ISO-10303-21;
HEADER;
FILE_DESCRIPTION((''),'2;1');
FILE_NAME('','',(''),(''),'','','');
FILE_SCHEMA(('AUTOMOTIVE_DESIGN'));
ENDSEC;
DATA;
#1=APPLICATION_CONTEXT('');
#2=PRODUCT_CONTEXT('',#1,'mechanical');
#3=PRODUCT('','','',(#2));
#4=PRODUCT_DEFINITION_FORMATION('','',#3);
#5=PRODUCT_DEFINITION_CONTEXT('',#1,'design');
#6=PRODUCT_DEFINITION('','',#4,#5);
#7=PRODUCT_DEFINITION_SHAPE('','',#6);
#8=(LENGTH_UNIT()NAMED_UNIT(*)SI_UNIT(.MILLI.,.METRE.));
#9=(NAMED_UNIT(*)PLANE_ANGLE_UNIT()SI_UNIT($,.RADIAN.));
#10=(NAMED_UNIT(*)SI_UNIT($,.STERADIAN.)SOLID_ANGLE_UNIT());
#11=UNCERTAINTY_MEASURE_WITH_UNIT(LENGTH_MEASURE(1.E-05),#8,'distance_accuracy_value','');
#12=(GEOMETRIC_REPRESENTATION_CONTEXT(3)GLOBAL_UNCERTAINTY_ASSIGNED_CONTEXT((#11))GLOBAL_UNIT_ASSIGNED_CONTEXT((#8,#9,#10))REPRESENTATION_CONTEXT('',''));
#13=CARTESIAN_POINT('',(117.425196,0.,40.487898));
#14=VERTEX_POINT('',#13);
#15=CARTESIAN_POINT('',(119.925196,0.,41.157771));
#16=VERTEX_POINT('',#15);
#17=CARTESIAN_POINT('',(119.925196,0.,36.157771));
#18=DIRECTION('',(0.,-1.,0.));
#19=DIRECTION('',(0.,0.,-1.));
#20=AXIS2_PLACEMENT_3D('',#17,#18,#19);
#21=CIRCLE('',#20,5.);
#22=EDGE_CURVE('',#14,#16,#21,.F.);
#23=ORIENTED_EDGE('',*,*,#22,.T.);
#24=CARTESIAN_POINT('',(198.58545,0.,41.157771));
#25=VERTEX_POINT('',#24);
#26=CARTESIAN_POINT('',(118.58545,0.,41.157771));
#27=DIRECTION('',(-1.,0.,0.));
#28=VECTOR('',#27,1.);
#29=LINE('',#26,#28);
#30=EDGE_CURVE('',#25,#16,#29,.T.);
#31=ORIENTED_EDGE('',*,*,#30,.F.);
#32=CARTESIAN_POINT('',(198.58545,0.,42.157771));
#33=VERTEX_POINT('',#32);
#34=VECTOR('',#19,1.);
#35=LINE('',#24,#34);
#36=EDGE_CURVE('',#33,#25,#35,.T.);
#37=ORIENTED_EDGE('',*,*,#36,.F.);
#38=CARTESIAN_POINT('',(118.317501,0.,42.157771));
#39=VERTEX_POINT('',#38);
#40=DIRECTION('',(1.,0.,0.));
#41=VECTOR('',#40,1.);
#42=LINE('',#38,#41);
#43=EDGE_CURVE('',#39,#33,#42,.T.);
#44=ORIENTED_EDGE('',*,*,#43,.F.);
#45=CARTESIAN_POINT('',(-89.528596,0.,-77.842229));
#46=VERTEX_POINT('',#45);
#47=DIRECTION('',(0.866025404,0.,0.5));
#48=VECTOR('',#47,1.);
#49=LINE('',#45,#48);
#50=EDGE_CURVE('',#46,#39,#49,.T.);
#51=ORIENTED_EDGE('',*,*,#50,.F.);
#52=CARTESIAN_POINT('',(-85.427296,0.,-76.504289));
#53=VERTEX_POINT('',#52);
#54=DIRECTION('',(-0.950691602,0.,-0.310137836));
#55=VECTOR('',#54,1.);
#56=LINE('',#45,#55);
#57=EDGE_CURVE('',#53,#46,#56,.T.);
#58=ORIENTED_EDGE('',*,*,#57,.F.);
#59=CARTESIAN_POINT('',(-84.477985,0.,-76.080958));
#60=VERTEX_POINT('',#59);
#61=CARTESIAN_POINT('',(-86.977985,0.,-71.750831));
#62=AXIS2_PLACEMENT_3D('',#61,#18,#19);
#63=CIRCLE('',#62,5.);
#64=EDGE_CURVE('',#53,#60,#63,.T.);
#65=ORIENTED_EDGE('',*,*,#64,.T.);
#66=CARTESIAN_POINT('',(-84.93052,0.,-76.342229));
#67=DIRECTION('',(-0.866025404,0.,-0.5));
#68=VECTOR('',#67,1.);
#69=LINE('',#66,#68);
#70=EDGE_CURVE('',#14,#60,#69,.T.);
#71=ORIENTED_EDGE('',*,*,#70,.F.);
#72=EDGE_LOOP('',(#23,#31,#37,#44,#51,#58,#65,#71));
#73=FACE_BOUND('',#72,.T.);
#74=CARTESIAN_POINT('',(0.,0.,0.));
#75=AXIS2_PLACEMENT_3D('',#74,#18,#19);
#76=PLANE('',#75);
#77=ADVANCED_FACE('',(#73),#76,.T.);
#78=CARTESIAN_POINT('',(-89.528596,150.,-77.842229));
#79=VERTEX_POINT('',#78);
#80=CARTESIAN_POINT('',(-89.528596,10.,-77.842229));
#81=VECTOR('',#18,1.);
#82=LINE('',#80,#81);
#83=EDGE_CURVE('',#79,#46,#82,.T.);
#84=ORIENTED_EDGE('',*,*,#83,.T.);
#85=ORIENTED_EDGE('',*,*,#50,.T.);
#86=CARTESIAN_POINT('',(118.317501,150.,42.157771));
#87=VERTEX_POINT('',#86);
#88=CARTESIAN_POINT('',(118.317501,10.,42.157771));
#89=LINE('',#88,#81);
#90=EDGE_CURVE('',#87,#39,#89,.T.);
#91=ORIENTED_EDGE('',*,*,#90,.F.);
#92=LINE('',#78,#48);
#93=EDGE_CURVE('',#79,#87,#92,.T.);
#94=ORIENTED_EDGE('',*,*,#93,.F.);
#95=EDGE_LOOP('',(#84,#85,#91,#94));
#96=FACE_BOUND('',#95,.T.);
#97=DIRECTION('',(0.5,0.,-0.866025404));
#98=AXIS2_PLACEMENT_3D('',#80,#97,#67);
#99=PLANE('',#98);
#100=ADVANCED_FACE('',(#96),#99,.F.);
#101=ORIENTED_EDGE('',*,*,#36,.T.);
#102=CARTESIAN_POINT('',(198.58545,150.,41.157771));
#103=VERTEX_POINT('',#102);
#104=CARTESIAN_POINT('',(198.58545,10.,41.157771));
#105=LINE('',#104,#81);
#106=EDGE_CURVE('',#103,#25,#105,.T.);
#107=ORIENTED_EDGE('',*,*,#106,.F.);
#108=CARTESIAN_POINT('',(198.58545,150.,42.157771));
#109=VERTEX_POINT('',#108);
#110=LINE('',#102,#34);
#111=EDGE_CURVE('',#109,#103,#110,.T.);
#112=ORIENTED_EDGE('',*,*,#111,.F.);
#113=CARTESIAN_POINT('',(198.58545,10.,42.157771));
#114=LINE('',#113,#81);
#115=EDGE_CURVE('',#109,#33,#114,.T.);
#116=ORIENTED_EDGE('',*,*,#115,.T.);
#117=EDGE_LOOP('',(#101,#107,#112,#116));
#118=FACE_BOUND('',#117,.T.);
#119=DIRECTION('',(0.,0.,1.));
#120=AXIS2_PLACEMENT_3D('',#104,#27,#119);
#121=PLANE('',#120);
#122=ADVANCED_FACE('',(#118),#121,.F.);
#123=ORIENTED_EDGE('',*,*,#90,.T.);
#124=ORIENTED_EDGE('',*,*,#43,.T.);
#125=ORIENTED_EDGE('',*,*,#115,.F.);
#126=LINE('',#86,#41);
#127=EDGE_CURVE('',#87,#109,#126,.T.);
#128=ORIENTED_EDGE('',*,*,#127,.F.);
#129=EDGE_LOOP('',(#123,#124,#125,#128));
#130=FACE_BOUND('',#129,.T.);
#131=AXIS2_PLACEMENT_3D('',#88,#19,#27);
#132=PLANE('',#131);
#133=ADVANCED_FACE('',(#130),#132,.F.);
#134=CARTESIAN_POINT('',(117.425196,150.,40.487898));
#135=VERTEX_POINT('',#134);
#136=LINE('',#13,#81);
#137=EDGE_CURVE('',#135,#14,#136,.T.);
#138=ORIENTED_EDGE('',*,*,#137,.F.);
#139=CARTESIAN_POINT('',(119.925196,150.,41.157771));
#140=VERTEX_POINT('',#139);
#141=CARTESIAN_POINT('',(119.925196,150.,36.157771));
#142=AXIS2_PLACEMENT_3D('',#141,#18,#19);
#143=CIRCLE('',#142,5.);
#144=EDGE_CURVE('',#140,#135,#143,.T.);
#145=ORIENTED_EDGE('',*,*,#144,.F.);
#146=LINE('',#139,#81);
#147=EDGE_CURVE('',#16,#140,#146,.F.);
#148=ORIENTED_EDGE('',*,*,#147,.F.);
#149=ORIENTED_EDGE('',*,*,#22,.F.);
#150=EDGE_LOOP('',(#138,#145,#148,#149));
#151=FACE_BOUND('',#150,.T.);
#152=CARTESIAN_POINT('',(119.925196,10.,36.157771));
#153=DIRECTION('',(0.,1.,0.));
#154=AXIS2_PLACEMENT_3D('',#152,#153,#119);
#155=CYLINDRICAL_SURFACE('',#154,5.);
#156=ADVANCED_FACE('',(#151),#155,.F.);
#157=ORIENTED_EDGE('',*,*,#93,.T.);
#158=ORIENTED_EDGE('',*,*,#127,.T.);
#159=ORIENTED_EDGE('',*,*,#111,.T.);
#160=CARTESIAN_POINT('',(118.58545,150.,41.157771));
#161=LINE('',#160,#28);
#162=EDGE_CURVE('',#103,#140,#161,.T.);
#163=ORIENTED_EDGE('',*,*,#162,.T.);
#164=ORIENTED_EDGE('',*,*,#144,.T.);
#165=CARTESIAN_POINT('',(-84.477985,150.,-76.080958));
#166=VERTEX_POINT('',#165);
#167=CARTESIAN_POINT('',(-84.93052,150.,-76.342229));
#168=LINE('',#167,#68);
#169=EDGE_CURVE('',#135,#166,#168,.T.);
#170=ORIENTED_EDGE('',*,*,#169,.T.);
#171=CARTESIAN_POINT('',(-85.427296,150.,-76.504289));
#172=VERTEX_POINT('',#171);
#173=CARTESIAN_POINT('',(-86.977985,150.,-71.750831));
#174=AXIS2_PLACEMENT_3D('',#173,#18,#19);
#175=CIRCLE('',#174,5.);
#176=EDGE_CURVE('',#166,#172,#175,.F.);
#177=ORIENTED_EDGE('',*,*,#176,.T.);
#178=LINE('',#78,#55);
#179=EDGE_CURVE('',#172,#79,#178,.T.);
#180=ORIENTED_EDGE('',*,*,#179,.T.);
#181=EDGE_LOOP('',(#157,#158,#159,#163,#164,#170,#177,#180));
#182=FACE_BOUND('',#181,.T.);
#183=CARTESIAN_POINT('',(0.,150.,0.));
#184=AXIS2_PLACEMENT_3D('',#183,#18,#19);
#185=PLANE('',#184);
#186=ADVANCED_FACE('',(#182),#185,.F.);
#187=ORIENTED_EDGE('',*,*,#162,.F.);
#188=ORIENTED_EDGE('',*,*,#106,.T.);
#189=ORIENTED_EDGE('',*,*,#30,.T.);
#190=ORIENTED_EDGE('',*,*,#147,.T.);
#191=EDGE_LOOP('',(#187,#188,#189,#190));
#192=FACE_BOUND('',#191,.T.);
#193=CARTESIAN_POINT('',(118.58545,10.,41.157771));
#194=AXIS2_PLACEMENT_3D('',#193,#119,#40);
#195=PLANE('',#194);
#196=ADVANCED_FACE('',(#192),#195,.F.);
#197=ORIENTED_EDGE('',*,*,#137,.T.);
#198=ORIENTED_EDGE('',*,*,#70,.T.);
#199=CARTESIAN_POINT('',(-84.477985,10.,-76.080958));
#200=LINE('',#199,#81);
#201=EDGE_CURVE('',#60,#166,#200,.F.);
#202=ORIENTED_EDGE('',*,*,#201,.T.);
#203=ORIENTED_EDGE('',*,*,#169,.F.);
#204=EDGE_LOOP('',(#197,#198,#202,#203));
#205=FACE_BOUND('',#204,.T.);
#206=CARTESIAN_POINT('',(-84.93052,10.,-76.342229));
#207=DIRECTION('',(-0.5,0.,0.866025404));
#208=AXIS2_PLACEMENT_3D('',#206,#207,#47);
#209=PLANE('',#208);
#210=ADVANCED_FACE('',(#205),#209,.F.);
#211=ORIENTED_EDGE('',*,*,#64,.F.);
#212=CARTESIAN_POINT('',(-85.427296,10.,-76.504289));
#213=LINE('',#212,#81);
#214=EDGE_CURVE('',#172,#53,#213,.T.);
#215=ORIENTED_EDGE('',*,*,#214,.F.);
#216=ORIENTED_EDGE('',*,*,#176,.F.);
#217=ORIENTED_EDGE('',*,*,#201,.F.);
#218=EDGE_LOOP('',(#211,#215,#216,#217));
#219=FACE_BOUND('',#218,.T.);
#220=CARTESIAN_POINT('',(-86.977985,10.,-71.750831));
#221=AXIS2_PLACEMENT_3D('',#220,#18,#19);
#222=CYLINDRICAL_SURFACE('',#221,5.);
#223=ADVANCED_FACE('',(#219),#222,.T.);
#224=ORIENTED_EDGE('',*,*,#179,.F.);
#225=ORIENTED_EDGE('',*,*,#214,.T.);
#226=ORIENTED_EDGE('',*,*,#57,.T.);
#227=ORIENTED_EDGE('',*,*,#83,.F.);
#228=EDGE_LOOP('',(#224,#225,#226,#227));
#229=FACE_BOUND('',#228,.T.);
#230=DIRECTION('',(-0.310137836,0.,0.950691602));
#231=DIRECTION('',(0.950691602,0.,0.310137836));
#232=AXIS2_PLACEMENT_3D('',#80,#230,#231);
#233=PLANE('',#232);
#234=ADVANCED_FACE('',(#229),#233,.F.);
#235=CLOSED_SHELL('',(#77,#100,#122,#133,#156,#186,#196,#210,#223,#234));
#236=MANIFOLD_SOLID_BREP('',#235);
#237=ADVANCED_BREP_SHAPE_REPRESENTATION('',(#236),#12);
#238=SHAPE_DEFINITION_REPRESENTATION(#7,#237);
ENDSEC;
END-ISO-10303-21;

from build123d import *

# Parameters (mm, degrees)
EXTRUDE_1_DEPTH = 10
EXTRUDE_2_DEPTH = 150
FILLET_1_R      = 5
FILLET_2_R      = 5


with BuildPart() as part:
    # 草图1 → 凸台-拉伸1 (new body)
    with BuildSketch(Plane(origin=(0, 0, 0), x_dir=(1, 0, 0), z_dir=(0, 1, 0))):
        Polygon((-84.930519712, 76.342229186), (118.585450177, -41.157770814), (198.585450177, -41.157770814), (198.585450177, -42.157770814), (118.317500985, -42.157770814), (-89.528595923, 77.842229186), align=None)
    extrude(amount=EXTRUDE_1_DEPTH)

    # 草图1<2> → 凸台-拉伸2 (add)
    with BuildSketch(Plane(origin=(0, 0, 0), x_dir=(1, 0, 0), z_dir=(0, 1, 0))):
        Polygon((-84.930519712, 76.342229186), (118.585450177, -41.157770814), (198.585450177, -41.157770814), (198.585450177, -42.157770814), (118.317500985, -42.157770814), (-89.528595923, 77.842229186), align=None)
    extrude(amount=EXTRUDE_2_DEPTH)

    # 圆角1
    fillet_1_edges = [part.edges().sort_by_distance(p)[0] for p in [
        (-84.930519712, 75, -76.342229186),
    ]]
    fillet(fillet_1_edges, radius=FILLET_1_R)

    # 圆角2
    fillet_2_edges = [part.edges().sort_by_distance(p)[0] for p in [
        (118.585450177, 75, 41.157770814),
    ]]
    fillet(fillet_2_edges, radius=FILLET_2_R)


solid = part.part
